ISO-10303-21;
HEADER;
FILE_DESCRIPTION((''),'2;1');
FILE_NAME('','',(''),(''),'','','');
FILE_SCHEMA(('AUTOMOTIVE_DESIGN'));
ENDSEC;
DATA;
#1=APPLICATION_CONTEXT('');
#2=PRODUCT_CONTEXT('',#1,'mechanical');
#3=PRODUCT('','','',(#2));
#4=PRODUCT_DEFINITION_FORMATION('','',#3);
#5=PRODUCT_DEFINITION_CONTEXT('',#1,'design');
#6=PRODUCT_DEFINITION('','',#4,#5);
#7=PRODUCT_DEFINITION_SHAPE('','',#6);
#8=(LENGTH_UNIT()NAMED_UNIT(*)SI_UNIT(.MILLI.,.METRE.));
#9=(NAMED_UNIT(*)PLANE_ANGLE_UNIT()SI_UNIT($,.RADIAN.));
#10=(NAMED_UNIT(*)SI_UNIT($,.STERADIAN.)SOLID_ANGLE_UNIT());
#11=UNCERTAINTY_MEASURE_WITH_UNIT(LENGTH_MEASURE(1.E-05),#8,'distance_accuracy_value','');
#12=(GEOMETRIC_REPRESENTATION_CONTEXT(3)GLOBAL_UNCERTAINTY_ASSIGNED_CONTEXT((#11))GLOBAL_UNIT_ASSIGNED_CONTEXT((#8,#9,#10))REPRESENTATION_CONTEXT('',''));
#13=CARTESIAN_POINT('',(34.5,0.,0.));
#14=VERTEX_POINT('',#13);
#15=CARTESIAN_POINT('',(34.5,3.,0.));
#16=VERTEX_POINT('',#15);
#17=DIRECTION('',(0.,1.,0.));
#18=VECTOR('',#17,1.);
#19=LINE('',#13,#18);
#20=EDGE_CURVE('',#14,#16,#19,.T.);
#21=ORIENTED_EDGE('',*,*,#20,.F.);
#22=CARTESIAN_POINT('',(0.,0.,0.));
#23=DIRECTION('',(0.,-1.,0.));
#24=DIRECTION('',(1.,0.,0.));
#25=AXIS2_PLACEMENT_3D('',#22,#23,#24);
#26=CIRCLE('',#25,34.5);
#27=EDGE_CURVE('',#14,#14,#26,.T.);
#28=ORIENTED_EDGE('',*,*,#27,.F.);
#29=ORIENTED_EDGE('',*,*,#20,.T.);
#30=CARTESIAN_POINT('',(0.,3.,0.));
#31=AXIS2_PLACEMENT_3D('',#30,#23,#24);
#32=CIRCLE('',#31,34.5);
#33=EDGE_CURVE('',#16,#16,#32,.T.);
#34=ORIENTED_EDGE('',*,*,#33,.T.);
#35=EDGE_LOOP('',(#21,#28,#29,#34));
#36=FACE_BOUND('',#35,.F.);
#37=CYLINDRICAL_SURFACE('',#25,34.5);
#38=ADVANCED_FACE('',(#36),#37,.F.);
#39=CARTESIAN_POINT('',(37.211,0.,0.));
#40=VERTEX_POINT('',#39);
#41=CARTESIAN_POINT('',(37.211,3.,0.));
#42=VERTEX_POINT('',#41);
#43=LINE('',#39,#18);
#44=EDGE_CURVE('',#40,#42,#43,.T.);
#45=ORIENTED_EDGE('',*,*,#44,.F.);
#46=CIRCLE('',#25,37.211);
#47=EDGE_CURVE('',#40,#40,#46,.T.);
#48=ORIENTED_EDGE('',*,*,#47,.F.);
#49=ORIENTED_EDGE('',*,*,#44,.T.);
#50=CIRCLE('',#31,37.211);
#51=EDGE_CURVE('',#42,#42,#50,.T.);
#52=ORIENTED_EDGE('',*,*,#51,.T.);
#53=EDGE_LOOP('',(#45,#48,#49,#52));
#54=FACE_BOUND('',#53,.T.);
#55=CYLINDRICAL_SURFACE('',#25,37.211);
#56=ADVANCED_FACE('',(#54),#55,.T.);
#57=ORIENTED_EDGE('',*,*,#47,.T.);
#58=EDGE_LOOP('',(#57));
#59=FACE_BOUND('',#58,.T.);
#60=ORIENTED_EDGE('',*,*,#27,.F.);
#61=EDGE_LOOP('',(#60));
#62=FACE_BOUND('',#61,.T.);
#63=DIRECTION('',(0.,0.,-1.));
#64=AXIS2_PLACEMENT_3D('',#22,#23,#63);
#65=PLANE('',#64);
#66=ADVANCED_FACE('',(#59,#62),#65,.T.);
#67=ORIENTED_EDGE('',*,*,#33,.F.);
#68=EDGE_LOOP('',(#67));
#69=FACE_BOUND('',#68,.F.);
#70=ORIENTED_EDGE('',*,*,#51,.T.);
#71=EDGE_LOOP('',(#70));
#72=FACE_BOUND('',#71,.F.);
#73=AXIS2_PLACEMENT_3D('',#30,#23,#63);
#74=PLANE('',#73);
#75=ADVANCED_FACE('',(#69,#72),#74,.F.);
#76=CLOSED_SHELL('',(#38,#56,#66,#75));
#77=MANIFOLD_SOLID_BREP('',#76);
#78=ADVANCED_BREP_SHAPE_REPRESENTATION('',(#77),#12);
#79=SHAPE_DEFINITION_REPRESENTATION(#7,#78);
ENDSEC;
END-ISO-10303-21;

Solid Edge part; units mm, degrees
sketch "Sketch1" plane through (0, 0, 0) normal (0, -1, 0) x (1, 0, 0)
  circle A0 centre (0, 0) radius 37.211
  circle A1 centre (0, 0) radius 34.5
  dimension "D1" = 74.422
  dimension "D2" = 69
extrude "Protrusion1" add sketch "Sketch1" against normal blind 3
